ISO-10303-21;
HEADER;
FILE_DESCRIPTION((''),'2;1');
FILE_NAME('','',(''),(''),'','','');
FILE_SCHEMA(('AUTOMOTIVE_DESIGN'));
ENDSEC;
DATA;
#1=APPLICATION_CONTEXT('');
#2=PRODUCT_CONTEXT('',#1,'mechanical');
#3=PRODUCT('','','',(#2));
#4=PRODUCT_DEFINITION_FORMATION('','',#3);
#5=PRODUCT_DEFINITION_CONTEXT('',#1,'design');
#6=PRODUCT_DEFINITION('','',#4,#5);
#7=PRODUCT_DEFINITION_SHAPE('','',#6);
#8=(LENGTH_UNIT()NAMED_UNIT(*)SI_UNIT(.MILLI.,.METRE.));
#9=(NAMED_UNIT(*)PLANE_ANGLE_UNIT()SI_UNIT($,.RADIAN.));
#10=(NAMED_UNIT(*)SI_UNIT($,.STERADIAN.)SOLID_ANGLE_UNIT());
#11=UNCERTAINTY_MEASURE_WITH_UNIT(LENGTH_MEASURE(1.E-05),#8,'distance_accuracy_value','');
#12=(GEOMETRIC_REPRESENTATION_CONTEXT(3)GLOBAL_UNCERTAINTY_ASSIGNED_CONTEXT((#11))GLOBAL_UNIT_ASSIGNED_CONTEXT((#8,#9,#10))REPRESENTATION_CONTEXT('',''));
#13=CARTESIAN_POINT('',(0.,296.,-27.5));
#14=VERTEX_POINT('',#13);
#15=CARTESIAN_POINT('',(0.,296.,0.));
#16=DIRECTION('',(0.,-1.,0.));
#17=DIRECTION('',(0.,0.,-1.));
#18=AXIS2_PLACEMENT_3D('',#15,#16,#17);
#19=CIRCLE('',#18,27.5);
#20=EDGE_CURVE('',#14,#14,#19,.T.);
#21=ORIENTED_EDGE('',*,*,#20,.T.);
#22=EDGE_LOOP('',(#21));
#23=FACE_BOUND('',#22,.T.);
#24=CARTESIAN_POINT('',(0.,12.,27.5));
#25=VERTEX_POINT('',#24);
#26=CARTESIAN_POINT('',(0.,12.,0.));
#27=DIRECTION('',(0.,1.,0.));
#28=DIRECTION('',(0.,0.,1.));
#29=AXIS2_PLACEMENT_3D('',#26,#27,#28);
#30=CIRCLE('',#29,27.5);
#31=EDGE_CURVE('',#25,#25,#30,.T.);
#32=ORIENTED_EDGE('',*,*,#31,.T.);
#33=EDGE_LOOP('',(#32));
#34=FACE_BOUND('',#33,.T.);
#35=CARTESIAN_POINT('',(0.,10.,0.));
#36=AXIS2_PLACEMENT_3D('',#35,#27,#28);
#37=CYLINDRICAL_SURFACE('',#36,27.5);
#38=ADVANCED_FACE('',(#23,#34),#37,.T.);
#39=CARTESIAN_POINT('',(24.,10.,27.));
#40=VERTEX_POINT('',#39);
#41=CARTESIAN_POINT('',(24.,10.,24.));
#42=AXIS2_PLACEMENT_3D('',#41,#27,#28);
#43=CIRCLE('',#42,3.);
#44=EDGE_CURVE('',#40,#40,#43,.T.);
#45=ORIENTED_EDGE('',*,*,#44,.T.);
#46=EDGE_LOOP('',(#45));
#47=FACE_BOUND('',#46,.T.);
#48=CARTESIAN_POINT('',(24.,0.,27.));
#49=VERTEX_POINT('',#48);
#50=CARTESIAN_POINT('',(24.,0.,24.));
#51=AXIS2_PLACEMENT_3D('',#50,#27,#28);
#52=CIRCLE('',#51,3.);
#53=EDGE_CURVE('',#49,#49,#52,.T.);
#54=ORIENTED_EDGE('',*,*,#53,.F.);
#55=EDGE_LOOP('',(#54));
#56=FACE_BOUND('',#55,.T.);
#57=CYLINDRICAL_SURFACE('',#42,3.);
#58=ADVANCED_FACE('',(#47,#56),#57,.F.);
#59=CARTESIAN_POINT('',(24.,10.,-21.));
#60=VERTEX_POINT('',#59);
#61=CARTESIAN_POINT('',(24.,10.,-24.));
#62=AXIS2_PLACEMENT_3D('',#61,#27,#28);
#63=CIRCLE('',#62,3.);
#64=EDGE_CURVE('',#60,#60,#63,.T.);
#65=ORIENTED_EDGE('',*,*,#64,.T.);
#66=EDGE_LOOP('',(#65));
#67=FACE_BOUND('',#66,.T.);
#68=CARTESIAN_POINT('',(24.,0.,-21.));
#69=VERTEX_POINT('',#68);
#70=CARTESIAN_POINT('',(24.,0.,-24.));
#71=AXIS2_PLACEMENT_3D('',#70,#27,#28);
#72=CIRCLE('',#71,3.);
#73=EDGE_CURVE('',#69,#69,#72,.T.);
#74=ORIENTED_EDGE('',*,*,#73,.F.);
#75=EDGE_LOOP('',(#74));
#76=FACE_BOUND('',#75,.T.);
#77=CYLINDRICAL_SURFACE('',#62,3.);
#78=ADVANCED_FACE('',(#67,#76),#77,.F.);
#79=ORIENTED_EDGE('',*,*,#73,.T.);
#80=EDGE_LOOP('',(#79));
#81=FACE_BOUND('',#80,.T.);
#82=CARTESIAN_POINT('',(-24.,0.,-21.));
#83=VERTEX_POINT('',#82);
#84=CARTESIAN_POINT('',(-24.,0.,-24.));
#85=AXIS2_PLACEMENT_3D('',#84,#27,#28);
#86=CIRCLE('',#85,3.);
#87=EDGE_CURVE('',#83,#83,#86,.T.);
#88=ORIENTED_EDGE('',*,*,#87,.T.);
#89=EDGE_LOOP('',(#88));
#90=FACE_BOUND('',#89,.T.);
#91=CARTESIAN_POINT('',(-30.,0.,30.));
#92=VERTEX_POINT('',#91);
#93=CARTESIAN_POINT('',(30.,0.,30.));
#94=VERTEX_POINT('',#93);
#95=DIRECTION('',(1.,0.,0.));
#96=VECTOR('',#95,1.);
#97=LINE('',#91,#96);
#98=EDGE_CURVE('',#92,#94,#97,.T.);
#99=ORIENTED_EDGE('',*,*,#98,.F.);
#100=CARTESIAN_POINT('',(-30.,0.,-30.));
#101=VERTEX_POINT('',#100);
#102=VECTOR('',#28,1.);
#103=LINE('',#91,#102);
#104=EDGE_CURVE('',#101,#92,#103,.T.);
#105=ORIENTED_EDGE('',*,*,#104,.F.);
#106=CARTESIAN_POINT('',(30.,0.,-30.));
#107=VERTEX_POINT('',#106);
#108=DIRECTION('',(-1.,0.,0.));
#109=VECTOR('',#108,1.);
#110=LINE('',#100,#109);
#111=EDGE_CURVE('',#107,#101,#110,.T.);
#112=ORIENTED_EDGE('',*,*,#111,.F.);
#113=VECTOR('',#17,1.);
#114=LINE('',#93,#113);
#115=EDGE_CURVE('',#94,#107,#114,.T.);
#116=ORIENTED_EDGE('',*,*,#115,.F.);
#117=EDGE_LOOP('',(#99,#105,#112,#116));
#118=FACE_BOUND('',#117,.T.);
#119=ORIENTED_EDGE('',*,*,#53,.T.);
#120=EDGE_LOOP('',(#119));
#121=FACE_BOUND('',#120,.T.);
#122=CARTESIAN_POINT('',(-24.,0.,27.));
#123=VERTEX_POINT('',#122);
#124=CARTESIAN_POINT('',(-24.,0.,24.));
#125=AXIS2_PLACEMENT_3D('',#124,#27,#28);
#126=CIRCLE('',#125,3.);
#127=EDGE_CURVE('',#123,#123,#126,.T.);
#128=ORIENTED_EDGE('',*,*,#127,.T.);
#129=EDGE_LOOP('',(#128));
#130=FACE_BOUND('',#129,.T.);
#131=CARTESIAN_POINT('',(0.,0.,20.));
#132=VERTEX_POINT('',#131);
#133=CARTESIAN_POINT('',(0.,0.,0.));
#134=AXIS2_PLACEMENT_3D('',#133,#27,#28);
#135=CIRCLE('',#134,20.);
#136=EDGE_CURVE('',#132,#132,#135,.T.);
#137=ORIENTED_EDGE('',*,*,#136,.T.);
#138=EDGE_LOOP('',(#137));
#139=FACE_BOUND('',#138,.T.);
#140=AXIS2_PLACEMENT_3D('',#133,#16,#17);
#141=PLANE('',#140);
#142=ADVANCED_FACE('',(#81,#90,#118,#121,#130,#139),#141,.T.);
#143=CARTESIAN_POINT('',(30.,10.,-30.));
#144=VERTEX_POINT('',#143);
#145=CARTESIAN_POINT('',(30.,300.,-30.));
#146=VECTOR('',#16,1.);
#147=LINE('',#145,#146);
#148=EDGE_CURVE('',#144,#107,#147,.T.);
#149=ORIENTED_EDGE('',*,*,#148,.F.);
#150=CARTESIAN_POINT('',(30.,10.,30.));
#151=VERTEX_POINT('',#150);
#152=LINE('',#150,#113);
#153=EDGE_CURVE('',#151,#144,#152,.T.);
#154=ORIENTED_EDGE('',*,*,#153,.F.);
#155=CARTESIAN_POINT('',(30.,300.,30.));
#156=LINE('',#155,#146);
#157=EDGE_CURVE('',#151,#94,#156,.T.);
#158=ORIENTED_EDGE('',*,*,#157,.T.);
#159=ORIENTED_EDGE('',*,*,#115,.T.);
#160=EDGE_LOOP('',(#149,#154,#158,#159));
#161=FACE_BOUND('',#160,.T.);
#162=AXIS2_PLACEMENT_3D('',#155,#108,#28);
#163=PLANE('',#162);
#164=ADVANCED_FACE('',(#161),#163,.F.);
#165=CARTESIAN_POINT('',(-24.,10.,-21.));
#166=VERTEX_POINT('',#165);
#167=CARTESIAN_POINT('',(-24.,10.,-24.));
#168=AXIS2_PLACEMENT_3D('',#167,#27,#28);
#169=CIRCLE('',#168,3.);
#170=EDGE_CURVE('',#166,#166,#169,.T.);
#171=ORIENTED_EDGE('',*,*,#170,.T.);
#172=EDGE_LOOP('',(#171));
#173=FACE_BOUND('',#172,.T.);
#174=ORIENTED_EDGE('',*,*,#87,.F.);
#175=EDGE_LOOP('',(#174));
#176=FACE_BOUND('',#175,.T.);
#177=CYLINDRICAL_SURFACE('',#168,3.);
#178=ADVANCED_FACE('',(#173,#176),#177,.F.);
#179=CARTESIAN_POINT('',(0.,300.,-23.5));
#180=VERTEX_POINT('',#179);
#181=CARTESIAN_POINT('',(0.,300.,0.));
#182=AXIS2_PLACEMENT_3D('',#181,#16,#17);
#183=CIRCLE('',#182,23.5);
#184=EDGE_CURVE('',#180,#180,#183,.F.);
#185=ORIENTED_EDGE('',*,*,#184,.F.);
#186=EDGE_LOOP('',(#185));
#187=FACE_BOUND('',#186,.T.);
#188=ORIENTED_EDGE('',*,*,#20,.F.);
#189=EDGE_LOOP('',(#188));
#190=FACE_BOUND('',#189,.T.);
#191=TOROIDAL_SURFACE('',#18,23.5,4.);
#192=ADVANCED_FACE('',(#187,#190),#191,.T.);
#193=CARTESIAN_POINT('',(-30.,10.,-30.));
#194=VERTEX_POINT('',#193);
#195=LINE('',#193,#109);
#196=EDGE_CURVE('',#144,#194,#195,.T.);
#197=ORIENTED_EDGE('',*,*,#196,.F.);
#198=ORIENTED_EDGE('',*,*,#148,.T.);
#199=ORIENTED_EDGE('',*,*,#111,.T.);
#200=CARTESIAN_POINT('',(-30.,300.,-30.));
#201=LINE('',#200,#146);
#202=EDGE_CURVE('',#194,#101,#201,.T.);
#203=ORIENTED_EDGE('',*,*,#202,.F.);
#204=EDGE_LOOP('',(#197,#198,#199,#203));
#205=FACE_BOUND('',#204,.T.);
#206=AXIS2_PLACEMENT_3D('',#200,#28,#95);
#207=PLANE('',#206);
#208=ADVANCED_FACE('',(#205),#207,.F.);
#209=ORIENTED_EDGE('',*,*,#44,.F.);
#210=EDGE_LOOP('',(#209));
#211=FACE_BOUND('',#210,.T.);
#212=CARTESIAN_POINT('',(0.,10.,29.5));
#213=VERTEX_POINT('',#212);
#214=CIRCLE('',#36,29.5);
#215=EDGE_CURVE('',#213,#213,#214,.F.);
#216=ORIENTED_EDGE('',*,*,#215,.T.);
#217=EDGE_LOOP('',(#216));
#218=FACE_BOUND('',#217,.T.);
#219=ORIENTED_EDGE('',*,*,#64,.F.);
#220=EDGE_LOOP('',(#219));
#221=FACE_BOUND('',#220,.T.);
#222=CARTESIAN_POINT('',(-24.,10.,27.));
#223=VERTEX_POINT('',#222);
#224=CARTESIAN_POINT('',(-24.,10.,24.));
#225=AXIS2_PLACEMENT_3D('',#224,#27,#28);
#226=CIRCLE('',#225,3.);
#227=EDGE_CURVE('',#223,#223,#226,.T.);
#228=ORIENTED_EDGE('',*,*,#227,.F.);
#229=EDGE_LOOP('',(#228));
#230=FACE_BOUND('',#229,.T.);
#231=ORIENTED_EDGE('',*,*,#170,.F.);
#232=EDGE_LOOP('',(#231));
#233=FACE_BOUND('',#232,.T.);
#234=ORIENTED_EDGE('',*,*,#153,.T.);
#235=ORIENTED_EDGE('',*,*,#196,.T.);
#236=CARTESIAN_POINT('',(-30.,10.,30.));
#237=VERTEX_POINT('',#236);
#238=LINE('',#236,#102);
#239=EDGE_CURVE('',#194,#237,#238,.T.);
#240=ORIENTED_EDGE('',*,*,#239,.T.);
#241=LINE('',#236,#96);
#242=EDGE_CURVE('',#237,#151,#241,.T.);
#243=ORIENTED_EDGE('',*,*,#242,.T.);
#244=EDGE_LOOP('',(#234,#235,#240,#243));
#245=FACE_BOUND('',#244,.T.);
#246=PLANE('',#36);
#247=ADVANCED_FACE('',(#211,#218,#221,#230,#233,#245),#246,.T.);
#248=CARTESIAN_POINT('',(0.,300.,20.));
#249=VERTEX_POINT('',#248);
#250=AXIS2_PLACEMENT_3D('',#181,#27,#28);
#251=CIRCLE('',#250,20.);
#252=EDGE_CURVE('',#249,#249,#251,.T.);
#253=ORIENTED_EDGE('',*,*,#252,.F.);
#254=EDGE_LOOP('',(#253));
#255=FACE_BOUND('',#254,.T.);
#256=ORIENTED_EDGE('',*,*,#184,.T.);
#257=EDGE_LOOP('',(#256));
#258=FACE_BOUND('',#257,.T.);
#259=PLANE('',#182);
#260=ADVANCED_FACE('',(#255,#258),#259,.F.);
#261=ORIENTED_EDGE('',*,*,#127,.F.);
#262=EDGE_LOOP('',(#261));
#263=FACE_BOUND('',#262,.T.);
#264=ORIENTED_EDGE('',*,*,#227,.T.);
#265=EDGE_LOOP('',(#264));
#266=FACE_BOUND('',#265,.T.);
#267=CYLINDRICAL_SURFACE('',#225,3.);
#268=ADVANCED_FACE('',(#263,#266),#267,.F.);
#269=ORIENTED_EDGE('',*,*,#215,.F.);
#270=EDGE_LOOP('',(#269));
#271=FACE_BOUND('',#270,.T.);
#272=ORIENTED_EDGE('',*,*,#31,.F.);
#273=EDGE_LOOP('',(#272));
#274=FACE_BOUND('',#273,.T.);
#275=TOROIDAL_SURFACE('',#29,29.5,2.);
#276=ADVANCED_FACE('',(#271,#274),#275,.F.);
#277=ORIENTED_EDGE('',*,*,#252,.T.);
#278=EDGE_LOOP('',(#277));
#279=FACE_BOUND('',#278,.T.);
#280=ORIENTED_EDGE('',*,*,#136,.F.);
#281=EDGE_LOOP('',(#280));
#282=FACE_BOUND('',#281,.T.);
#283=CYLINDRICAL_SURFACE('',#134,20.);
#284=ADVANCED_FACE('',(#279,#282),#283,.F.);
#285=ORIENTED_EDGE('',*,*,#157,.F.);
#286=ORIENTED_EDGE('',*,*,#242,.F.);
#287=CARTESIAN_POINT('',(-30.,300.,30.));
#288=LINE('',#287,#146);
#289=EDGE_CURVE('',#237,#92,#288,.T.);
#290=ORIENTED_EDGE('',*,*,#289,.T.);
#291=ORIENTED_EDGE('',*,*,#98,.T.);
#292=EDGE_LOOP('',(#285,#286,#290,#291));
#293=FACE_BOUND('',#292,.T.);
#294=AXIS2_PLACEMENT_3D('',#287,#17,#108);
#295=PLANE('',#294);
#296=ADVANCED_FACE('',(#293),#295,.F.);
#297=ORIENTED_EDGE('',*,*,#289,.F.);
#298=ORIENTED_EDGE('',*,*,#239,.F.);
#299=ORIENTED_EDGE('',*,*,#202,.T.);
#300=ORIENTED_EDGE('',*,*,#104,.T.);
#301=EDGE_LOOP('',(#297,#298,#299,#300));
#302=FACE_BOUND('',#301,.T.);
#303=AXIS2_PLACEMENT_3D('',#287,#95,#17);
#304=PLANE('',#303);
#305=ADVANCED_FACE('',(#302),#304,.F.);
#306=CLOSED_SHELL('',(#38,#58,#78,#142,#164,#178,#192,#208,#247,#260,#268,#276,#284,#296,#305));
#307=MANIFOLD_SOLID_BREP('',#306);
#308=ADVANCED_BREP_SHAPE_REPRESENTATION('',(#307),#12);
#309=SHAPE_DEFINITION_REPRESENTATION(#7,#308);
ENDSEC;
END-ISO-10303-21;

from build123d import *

# Parameters (mm, degrees)
SZKIC1_W                    = 60
SZKIC1_H                    = 60
DODANIE_WYCI_GNI_CIE1_DEPTH = 300
SZKIC2_OUTSIDE_W            = 124.354
SZKIC2_OUTSIDE_H            = 124.354
SZKIC2_OUTSIDE_R            = 27.5
WYTNIJ_WYCI_GNI_CIE1_DEPTH  = 290
SZKIC5_R                    = 20
WYTNIJ_WYCI_GNI_CIE3_DEPTH  = 303.985148151
ZAOKR_GLENIE2_R             = 2
ZAOKR_GLENIE3_R             = 4
OTWORY_USTALAJ_CE_6_0MM1_D  = 6


with BuildPart() as part:
    # Szkic1 → Dodanie-wyciągnięcie1 (new body)
    with BuildSketch(Plane(origin=(0, 0, 0), x_dir=(1, 0, 0), z_dir=(0, 1, 0))):
        Rectangle(SZKIC1_W, SZKIC1_H)
    extrude(amount=DODANIE_WYCI_GNI_CIE1_DEPTH)

    # Szkic2 outside → Wytnij-wyciągnięcie1 (cut)
    with BuildSketch(Plane(origin=(0, 300, 0), x_dir=(1, 0, 0), z_dir=(0, 1, 0))):
        Rectangle(SZKIC2_OUTSIDE_W, SZKIC2_OUTSIDE_H)
        with Locations(Location((0, 0, 0), (0, 0, 270))):
            Circle(SZKIC2_OUTSIDE_R, mode=Mode.SUBTRACT)
    extrude(amount=-WYTNIJ_WYCI_GNI_CIE1_DEPTH, mode=Mode.SUBTRACT)

    # Szkic5 → Wytnij-wyciągnięcie3 (cut, through all)
    with BuildSketch(Plane(origin=(0, 300, 0), x_dir=(1, 0, 0), z_dir=(0, 1, 0))):
        with Locations(Location((0, 0, 0), (0, 0, 270))):
            Circle(SZKIC5_R)
    extrude(amount=-WYTNIJ_WYCI_GNI_CIE3_DEPTH, mode=Mode.SUBTRACT)

    # Zaokrąglenie2
    zaokr_glenie2_edges = [part.edges().sort_by_distance(p)[0] for p in [
        (0, 10, -27.5),
    ]]
    fillet(zaokr_glenie2_edges, radius=ZAOKR_GLENIE2_R)

    # Zaokrąglenie3
    zaokr_glenie3_edges = [part.edges().sort_by_distance(p)[0] for p in [
        (0, 300, -27.5),
    ]]
    fillet(zaokr_glenie3_edges, radius=ZAOKR_GLENIE3_R)

    # Otwory ustalające Ø6.0mm1 (through all)
    with Locations(Plane(origin=(0, 10, 0), x_dir=(1, 0, 0), z_dir=(0, 1, 0))):
        with Locations((-24, -24), (-24, 24), (24, 24), (24, -24)):
            Hole(OTWORY_USTALAJ_CE_6_0MM1_D / 2)


solid = part.part
